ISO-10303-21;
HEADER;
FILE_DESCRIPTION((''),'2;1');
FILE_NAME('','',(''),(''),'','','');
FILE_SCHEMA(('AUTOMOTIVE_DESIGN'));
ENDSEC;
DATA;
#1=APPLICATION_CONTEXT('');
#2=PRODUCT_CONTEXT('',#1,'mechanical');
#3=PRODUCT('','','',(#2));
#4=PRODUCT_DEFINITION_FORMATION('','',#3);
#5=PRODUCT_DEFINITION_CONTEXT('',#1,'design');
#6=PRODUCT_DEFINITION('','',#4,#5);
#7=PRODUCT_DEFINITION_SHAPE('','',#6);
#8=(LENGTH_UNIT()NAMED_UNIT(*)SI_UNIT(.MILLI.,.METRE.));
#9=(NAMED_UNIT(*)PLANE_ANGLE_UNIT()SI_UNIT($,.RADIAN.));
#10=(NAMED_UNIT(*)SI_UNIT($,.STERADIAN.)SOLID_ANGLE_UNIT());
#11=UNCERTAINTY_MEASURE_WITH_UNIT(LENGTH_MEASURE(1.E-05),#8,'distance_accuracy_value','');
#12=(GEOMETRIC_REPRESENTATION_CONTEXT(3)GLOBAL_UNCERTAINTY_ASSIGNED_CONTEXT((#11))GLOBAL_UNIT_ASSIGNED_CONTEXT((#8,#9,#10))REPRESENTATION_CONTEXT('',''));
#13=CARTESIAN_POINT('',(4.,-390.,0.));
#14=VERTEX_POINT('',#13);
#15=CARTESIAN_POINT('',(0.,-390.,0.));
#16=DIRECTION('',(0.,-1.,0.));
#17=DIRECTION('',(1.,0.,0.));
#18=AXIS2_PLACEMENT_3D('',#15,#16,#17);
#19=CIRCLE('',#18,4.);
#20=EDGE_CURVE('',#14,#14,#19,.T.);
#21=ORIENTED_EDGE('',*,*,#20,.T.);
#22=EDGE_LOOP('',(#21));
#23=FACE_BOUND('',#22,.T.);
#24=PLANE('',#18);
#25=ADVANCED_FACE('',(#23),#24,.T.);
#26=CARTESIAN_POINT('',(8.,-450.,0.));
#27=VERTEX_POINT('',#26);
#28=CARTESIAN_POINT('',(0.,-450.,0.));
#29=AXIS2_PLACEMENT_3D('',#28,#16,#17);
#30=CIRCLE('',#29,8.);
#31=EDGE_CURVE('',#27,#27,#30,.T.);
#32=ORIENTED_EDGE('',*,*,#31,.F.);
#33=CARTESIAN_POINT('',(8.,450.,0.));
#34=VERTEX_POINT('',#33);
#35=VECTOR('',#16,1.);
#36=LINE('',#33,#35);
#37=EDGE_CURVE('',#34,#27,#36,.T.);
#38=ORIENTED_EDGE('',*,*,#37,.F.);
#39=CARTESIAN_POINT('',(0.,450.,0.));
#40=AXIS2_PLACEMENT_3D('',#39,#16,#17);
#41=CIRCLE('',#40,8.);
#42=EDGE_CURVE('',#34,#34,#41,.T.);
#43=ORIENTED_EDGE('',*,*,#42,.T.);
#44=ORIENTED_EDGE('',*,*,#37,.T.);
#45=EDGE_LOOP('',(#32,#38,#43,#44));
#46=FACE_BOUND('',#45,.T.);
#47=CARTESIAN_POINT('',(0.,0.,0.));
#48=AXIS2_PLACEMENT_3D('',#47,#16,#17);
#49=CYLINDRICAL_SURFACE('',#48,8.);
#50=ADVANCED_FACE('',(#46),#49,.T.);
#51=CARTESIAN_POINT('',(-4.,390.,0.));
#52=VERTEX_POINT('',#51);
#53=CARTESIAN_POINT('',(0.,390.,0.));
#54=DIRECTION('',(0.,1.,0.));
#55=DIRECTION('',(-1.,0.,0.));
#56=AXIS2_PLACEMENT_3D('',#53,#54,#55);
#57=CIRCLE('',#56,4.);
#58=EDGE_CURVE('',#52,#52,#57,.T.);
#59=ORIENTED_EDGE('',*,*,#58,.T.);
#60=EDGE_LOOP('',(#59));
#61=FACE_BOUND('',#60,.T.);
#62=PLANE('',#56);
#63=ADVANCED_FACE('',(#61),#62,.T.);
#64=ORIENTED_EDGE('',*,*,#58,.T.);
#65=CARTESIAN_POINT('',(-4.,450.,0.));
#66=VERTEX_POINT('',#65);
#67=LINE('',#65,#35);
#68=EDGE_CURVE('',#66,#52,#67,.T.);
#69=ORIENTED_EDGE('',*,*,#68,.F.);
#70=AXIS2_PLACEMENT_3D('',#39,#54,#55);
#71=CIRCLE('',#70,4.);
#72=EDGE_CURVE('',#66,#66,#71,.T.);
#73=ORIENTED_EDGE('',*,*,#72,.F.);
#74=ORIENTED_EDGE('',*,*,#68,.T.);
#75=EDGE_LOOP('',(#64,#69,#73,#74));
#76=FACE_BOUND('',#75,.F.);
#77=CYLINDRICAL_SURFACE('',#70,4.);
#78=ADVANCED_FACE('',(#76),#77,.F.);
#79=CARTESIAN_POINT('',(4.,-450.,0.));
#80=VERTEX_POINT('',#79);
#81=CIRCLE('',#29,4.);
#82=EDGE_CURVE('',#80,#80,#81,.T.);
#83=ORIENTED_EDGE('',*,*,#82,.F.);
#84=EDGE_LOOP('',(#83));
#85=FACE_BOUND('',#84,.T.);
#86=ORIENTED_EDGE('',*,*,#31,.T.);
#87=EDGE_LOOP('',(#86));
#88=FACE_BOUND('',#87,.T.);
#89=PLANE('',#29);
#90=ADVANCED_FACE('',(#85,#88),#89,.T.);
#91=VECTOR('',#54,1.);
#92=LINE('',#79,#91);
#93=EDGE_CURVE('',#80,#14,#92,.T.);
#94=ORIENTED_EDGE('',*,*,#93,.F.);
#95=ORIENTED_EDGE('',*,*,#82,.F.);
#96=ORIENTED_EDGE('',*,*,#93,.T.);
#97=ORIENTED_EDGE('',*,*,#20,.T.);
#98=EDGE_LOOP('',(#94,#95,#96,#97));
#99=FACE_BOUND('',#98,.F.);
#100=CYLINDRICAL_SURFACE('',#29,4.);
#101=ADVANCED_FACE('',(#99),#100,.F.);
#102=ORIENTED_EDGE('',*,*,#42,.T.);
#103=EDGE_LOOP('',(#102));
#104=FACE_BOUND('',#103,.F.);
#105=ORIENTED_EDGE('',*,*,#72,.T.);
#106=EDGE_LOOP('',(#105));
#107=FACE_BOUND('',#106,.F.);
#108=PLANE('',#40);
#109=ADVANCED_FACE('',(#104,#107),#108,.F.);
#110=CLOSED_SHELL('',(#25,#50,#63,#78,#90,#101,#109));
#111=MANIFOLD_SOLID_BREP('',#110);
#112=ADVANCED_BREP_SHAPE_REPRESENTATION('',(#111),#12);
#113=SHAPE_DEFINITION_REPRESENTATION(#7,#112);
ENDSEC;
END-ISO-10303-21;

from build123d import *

# Parameters (mm, degrees)
F0_R     = 8
F1_DEPTH = 450
F2_R     = 4
F3_DEPTH = 60
F4_R     = 4
F5_DEPTH = 60


with BuildPart() as f1:
    # F0 (on Front) → F1 (new body, symmetric)
    with BuildSketch(Plane.XZ):
        Circle(F0_R)
    extrude(amount=F1_DEPTH, both=True)

    # F2 (on face) → F3 (cut)
    with BuildSketch(Plane.XZ.offset(450)):
        Circle(F2_R)
    extrude(amount=-F3_DEPTH, mode=Mode.SUBTRACT)

    # F4 (on face) → F5 (cut)
    with BuildSketch(Plane(origin=(0, 450, 0), x_dir=(-1, 0, 0), z_dir=(0, 1, 0))):
        Circle(F4_R)
    extrude(amount=-F5_DEPTH, mode=Mode.SUBTRACT)


solid = f1.part
